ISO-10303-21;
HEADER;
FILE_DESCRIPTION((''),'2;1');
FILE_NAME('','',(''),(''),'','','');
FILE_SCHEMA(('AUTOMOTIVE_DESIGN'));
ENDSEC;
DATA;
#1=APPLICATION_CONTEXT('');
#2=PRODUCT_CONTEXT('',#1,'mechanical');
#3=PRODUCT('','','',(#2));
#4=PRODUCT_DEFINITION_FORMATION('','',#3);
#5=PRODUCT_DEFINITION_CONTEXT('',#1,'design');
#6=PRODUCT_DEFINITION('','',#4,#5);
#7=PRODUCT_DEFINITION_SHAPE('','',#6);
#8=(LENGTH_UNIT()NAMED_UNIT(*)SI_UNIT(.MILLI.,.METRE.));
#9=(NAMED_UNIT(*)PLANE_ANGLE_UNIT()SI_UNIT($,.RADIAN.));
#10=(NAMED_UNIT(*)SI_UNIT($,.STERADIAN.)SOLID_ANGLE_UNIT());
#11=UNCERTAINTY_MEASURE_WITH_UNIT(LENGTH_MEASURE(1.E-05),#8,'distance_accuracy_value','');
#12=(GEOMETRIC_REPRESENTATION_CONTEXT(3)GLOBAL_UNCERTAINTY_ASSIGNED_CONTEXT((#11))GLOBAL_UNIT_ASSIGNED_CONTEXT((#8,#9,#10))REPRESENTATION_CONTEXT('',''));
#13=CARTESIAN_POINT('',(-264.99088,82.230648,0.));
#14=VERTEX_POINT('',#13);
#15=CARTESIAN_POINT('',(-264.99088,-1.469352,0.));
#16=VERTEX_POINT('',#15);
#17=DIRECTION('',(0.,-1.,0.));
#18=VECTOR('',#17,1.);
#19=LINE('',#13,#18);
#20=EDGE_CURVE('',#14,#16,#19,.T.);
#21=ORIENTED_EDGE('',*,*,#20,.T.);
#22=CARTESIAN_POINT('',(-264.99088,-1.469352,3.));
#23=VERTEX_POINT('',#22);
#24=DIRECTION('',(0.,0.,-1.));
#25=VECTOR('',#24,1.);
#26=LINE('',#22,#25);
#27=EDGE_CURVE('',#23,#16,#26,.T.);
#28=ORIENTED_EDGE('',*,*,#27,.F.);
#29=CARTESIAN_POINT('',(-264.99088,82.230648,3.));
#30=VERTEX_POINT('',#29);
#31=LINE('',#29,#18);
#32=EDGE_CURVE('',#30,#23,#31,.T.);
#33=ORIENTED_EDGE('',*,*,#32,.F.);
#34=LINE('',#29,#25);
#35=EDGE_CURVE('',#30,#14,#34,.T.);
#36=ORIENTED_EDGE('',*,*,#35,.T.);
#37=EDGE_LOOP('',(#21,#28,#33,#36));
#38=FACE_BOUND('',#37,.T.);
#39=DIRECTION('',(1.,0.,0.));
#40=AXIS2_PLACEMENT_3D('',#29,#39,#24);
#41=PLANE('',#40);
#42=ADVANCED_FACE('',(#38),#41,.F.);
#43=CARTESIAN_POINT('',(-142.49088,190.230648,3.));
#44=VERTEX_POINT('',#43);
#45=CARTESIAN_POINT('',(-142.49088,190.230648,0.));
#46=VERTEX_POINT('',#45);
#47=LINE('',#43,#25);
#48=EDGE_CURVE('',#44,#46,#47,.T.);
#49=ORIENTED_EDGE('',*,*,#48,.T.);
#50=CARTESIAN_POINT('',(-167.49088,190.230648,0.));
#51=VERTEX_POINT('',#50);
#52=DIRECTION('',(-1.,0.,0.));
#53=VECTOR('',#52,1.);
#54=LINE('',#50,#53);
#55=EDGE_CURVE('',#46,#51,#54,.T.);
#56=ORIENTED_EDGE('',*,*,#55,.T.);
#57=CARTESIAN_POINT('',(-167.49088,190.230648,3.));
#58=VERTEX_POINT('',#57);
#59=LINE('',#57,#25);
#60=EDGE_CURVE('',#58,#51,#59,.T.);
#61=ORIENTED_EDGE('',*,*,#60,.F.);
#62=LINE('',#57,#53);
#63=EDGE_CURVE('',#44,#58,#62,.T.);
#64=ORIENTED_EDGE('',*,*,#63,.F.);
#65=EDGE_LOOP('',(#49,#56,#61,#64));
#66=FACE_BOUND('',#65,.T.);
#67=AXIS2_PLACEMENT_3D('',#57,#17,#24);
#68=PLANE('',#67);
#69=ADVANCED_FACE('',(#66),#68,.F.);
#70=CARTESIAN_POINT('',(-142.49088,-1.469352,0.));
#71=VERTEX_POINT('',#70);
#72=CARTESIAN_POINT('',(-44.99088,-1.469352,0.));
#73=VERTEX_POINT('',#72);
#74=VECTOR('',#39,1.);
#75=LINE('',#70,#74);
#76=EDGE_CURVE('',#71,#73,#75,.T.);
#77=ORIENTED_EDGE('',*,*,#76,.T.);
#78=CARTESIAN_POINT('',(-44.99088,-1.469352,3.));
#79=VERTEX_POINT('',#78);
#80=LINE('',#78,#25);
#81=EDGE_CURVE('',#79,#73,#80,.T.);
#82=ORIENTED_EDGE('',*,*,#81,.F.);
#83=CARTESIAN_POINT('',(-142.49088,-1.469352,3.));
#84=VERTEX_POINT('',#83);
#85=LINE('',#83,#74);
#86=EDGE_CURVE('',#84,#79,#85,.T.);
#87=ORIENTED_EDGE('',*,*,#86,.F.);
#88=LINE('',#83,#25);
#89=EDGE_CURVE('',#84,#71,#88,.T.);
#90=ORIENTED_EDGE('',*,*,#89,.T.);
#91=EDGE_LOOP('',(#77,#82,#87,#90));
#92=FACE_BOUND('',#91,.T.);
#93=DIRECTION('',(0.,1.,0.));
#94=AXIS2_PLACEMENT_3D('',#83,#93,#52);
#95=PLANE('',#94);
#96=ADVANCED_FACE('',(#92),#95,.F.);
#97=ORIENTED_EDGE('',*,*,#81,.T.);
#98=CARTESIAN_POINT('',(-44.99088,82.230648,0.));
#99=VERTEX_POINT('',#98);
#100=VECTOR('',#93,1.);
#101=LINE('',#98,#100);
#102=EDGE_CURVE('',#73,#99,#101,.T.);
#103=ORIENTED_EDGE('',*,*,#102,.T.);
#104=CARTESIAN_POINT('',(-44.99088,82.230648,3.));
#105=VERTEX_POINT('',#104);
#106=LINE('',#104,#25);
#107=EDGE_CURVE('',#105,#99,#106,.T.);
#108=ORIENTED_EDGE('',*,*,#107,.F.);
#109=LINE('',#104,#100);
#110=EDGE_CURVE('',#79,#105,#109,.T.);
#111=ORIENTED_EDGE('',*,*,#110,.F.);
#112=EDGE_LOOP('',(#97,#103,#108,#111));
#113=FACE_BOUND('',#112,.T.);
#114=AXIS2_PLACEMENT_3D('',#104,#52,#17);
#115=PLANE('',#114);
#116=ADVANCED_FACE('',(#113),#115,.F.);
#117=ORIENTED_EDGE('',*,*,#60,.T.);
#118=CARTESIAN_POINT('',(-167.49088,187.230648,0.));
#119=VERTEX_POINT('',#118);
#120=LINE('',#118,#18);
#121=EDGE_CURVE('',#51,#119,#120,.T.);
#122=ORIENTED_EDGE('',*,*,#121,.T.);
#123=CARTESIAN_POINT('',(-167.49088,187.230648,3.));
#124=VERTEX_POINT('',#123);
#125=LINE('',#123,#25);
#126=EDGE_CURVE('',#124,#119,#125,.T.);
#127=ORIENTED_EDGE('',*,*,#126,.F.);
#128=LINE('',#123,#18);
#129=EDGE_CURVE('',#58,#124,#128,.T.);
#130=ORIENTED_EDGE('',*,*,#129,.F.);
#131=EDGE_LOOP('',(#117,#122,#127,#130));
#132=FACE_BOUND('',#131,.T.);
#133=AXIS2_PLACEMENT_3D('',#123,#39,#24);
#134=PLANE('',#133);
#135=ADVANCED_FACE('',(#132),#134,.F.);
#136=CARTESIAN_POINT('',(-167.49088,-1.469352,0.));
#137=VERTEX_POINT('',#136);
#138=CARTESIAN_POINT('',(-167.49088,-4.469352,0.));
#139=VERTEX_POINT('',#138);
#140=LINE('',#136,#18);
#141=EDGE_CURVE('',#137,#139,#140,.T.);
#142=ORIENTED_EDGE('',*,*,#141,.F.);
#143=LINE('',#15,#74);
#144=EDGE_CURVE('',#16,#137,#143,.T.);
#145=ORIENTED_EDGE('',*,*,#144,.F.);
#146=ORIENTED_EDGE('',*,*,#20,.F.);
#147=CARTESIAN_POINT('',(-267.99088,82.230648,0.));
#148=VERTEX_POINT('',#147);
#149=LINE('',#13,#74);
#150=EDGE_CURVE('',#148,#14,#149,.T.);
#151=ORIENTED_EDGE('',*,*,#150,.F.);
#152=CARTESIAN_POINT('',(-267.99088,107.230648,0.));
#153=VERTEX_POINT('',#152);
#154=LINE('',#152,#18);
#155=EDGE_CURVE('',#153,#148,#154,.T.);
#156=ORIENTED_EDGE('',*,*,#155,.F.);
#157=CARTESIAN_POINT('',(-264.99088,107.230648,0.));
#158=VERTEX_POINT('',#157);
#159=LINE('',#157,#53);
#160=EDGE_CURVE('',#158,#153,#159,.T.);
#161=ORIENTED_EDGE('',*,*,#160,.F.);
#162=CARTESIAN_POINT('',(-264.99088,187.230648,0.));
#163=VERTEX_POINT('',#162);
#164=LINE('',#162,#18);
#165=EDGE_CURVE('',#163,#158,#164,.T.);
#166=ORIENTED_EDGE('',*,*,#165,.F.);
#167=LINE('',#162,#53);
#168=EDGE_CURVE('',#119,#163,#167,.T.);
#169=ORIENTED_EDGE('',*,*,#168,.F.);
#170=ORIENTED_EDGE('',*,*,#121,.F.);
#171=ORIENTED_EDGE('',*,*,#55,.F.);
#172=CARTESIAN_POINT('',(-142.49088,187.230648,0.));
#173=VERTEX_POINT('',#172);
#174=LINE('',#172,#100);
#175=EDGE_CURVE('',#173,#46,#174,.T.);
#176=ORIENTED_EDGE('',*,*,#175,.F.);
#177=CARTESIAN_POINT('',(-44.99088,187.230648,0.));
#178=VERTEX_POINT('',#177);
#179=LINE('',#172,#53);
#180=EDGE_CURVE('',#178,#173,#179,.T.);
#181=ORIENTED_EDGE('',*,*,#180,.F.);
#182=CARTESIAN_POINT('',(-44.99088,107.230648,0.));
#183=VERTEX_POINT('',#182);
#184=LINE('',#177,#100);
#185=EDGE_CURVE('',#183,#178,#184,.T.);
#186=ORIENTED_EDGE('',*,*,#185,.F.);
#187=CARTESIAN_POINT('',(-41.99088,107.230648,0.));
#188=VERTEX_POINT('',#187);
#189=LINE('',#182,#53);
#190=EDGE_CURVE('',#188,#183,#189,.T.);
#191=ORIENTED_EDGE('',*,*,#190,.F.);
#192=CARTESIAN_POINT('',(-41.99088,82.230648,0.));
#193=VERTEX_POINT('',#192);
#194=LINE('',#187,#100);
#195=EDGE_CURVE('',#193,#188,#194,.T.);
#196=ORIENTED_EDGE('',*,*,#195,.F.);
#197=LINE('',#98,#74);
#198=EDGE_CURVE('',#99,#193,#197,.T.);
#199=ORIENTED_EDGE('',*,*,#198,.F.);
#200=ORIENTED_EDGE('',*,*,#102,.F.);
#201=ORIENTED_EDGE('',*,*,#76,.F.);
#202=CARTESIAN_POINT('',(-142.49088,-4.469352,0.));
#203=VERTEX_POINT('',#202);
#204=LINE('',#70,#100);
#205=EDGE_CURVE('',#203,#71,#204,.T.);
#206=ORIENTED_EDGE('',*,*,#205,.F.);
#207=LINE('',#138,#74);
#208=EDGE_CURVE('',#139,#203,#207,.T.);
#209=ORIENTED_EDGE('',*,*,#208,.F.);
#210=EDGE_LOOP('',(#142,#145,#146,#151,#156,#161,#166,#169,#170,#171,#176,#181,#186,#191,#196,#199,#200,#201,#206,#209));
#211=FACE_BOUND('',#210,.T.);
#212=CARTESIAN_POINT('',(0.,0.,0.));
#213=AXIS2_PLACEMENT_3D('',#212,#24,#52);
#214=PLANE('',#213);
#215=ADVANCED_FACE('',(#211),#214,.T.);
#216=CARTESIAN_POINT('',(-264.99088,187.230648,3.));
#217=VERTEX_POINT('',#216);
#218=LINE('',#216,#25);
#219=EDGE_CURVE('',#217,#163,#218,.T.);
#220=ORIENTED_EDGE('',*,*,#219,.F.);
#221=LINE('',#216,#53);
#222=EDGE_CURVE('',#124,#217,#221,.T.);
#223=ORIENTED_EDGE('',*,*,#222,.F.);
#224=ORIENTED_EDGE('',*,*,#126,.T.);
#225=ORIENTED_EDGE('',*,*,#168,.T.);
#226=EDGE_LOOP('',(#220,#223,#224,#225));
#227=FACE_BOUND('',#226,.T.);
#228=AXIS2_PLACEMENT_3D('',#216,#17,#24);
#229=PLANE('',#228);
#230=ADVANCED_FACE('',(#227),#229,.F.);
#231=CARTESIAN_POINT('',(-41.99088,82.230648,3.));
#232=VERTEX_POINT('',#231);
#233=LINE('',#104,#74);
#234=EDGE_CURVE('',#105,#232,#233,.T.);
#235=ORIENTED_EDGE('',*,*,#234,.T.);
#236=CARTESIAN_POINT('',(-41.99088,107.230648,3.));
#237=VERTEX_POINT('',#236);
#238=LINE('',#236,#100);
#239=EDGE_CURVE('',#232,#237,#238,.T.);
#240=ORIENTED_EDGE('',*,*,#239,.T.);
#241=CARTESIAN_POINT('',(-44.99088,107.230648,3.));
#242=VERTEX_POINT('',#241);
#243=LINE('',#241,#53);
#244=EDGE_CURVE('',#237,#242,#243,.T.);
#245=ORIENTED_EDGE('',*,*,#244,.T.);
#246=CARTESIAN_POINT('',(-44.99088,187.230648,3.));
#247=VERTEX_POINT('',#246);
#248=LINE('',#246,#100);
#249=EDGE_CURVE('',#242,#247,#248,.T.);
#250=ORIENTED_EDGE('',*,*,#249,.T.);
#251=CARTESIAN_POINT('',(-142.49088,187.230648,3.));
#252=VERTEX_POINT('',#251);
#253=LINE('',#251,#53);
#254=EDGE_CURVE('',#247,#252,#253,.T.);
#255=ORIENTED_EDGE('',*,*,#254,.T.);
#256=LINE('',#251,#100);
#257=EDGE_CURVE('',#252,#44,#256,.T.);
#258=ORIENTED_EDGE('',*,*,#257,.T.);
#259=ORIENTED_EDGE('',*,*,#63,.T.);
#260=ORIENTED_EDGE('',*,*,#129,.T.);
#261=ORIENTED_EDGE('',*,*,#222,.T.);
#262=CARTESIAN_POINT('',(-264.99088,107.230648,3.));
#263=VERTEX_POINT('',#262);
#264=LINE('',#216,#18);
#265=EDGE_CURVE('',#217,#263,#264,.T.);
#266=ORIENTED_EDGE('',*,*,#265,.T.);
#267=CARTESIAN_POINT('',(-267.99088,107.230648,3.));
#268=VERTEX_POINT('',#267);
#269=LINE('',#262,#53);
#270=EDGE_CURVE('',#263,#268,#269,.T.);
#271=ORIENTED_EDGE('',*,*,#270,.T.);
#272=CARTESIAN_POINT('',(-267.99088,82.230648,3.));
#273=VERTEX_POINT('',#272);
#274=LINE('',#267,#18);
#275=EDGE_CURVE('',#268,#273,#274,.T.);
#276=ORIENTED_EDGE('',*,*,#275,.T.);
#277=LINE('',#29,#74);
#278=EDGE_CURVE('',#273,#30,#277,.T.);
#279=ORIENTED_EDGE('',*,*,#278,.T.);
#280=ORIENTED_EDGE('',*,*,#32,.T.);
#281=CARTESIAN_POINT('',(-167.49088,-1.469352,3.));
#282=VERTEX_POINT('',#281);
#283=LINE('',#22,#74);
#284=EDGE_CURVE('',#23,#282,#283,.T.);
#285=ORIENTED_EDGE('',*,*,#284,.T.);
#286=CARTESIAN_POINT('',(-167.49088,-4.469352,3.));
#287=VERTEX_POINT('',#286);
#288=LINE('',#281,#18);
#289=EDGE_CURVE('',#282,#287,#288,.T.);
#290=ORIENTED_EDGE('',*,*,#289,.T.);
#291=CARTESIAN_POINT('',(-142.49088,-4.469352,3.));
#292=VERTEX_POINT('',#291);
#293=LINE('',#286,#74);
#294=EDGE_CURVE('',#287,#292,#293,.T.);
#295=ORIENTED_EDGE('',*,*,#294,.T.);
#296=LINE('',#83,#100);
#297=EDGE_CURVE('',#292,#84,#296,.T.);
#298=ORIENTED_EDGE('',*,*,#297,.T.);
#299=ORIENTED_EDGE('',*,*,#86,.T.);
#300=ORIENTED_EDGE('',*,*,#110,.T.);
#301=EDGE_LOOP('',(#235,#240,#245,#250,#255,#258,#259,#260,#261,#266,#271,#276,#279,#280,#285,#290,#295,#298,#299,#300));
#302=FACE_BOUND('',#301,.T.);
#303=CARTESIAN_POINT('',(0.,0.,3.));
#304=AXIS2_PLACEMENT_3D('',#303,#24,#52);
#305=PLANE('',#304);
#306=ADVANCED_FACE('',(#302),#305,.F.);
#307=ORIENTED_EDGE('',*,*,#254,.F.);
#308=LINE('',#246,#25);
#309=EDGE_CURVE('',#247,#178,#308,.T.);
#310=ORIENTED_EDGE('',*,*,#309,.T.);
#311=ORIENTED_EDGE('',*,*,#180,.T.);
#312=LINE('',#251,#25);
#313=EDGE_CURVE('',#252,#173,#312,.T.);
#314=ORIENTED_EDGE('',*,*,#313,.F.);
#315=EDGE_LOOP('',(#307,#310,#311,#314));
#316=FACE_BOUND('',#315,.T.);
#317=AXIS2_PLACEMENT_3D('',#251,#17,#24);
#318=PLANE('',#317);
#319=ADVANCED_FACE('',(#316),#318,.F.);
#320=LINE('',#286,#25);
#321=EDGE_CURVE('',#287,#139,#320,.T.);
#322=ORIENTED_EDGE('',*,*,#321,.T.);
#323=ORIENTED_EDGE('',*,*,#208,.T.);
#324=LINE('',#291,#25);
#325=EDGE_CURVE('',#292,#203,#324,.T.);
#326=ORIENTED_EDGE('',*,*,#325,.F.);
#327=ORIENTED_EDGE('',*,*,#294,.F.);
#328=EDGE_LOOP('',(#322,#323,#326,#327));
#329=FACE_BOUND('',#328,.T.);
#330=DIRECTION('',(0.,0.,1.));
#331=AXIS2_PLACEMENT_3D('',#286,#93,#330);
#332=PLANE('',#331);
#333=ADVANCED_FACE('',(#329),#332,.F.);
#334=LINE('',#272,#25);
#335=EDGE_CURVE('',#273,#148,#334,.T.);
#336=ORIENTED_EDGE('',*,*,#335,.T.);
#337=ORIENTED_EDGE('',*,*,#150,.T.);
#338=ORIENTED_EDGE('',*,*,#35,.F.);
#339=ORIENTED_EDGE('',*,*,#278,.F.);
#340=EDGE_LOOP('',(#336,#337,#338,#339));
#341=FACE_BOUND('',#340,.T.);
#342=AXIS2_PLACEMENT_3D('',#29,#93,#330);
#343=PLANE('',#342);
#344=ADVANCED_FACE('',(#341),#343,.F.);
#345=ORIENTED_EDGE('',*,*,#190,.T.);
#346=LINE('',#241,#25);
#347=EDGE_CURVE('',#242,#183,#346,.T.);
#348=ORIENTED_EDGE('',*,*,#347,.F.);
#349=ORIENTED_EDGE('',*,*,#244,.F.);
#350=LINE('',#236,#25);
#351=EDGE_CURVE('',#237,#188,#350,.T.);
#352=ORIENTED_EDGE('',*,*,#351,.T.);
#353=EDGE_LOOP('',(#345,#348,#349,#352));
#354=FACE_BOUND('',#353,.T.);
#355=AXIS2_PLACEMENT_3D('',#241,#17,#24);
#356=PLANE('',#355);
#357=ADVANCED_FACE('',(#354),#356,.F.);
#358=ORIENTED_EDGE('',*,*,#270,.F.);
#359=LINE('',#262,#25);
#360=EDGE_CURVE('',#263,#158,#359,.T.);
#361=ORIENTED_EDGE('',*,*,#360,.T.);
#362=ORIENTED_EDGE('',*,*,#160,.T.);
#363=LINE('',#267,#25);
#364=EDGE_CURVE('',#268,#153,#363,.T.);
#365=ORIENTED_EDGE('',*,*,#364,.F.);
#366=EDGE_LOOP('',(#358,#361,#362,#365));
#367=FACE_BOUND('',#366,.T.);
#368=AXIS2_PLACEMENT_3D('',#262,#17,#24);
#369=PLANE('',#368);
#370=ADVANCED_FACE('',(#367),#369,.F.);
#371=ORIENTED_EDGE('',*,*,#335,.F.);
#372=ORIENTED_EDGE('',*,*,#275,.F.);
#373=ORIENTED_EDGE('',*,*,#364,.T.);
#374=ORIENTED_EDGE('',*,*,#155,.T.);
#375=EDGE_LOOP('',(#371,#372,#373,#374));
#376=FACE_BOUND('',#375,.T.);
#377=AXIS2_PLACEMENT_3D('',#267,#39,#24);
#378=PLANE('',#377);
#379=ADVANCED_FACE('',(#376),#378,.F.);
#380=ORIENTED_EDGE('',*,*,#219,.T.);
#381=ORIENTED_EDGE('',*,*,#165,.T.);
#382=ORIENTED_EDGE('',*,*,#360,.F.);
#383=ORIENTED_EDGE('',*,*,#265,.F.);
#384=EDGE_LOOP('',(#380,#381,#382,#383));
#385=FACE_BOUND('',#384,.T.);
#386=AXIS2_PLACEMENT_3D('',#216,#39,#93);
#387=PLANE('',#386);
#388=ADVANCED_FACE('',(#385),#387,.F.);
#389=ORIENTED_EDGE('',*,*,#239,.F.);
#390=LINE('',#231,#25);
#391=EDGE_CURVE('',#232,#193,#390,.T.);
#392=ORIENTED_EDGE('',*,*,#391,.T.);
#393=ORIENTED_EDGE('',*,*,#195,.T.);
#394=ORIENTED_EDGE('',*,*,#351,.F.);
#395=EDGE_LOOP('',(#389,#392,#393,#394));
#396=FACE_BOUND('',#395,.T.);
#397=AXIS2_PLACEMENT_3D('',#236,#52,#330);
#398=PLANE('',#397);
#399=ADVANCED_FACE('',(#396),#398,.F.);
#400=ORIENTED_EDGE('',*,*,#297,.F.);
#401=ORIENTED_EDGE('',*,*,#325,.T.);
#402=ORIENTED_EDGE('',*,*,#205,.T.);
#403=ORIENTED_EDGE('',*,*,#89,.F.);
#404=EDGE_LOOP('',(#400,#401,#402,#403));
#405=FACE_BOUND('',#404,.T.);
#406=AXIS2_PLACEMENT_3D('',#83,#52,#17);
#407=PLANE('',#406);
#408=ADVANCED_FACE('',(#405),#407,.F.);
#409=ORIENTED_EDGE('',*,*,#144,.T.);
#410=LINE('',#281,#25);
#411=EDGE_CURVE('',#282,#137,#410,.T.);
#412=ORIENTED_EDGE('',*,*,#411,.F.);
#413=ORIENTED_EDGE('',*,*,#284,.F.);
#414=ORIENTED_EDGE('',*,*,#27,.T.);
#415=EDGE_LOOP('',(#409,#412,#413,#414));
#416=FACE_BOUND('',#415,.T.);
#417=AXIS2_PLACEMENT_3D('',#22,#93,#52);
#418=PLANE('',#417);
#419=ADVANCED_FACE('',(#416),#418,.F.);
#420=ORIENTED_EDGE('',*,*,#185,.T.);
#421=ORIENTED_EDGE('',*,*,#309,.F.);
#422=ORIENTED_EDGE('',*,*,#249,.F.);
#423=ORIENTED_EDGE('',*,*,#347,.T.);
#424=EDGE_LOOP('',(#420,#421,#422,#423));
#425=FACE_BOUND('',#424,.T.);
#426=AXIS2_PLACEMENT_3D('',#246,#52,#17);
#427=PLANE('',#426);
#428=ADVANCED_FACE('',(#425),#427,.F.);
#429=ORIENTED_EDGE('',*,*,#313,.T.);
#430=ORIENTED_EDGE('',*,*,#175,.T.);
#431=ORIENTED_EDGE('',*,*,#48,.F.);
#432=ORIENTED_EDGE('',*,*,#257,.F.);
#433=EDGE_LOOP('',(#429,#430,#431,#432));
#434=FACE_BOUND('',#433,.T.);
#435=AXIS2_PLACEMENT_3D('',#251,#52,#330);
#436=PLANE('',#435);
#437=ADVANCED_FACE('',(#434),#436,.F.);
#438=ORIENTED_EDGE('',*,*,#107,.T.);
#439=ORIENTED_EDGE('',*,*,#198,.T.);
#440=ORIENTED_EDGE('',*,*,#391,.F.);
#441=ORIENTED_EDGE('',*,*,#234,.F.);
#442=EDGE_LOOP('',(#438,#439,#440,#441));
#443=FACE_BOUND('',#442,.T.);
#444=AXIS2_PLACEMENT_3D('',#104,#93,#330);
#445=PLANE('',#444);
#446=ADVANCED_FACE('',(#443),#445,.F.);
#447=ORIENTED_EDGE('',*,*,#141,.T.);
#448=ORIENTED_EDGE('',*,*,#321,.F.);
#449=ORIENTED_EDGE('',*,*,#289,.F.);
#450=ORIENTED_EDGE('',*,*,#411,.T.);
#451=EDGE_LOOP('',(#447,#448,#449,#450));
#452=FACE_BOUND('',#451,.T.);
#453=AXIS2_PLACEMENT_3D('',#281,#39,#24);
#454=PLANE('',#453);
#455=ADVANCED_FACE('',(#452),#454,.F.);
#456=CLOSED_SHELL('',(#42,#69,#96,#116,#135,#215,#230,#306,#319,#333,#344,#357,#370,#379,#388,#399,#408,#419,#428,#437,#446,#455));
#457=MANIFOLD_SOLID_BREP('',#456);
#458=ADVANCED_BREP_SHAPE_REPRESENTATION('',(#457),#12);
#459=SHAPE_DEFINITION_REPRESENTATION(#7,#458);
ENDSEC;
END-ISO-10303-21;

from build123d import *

# Parameters (mm, degrees)
EXTRUDE_1_DEPTH = 3


with BuildPart() as part:
    # Эскиз1 → Бобышка-Вытянуть1 (new body)
    with BuildSketch(Plane.XY):
        Polygon((-142.490880181, 187.230647897), (-44.990880181, 187.230647897), (-44.990880181, 107.230647897), (-41.990880181, 107.230647897), (-41.990880181, 82.230647897), (-44.990880181, 82.230647897), (-44.990880181, -1.469352103), (-142.490880181, -1.469352103), (-142.490880181, -4.469352103), (-167.490880181, -4.469352103), (-167.490880181, -1.469352103), (-264.990880181, -1.469352103), (-264.990880181, 82.230647897), (-267.990880181, 82.230647897), (-267.990880181, 107.230647897), (-264.990880181, 107.230647897), (-264.990880181, 187.230647897), (-167.490880181, 187.230647897), (-167.490880181, 190.230647897), (-142.490880181, 190.230647897), align=None)
    extrude(amount=EXTRUDE_1_DEPTH)


solid = part.part
